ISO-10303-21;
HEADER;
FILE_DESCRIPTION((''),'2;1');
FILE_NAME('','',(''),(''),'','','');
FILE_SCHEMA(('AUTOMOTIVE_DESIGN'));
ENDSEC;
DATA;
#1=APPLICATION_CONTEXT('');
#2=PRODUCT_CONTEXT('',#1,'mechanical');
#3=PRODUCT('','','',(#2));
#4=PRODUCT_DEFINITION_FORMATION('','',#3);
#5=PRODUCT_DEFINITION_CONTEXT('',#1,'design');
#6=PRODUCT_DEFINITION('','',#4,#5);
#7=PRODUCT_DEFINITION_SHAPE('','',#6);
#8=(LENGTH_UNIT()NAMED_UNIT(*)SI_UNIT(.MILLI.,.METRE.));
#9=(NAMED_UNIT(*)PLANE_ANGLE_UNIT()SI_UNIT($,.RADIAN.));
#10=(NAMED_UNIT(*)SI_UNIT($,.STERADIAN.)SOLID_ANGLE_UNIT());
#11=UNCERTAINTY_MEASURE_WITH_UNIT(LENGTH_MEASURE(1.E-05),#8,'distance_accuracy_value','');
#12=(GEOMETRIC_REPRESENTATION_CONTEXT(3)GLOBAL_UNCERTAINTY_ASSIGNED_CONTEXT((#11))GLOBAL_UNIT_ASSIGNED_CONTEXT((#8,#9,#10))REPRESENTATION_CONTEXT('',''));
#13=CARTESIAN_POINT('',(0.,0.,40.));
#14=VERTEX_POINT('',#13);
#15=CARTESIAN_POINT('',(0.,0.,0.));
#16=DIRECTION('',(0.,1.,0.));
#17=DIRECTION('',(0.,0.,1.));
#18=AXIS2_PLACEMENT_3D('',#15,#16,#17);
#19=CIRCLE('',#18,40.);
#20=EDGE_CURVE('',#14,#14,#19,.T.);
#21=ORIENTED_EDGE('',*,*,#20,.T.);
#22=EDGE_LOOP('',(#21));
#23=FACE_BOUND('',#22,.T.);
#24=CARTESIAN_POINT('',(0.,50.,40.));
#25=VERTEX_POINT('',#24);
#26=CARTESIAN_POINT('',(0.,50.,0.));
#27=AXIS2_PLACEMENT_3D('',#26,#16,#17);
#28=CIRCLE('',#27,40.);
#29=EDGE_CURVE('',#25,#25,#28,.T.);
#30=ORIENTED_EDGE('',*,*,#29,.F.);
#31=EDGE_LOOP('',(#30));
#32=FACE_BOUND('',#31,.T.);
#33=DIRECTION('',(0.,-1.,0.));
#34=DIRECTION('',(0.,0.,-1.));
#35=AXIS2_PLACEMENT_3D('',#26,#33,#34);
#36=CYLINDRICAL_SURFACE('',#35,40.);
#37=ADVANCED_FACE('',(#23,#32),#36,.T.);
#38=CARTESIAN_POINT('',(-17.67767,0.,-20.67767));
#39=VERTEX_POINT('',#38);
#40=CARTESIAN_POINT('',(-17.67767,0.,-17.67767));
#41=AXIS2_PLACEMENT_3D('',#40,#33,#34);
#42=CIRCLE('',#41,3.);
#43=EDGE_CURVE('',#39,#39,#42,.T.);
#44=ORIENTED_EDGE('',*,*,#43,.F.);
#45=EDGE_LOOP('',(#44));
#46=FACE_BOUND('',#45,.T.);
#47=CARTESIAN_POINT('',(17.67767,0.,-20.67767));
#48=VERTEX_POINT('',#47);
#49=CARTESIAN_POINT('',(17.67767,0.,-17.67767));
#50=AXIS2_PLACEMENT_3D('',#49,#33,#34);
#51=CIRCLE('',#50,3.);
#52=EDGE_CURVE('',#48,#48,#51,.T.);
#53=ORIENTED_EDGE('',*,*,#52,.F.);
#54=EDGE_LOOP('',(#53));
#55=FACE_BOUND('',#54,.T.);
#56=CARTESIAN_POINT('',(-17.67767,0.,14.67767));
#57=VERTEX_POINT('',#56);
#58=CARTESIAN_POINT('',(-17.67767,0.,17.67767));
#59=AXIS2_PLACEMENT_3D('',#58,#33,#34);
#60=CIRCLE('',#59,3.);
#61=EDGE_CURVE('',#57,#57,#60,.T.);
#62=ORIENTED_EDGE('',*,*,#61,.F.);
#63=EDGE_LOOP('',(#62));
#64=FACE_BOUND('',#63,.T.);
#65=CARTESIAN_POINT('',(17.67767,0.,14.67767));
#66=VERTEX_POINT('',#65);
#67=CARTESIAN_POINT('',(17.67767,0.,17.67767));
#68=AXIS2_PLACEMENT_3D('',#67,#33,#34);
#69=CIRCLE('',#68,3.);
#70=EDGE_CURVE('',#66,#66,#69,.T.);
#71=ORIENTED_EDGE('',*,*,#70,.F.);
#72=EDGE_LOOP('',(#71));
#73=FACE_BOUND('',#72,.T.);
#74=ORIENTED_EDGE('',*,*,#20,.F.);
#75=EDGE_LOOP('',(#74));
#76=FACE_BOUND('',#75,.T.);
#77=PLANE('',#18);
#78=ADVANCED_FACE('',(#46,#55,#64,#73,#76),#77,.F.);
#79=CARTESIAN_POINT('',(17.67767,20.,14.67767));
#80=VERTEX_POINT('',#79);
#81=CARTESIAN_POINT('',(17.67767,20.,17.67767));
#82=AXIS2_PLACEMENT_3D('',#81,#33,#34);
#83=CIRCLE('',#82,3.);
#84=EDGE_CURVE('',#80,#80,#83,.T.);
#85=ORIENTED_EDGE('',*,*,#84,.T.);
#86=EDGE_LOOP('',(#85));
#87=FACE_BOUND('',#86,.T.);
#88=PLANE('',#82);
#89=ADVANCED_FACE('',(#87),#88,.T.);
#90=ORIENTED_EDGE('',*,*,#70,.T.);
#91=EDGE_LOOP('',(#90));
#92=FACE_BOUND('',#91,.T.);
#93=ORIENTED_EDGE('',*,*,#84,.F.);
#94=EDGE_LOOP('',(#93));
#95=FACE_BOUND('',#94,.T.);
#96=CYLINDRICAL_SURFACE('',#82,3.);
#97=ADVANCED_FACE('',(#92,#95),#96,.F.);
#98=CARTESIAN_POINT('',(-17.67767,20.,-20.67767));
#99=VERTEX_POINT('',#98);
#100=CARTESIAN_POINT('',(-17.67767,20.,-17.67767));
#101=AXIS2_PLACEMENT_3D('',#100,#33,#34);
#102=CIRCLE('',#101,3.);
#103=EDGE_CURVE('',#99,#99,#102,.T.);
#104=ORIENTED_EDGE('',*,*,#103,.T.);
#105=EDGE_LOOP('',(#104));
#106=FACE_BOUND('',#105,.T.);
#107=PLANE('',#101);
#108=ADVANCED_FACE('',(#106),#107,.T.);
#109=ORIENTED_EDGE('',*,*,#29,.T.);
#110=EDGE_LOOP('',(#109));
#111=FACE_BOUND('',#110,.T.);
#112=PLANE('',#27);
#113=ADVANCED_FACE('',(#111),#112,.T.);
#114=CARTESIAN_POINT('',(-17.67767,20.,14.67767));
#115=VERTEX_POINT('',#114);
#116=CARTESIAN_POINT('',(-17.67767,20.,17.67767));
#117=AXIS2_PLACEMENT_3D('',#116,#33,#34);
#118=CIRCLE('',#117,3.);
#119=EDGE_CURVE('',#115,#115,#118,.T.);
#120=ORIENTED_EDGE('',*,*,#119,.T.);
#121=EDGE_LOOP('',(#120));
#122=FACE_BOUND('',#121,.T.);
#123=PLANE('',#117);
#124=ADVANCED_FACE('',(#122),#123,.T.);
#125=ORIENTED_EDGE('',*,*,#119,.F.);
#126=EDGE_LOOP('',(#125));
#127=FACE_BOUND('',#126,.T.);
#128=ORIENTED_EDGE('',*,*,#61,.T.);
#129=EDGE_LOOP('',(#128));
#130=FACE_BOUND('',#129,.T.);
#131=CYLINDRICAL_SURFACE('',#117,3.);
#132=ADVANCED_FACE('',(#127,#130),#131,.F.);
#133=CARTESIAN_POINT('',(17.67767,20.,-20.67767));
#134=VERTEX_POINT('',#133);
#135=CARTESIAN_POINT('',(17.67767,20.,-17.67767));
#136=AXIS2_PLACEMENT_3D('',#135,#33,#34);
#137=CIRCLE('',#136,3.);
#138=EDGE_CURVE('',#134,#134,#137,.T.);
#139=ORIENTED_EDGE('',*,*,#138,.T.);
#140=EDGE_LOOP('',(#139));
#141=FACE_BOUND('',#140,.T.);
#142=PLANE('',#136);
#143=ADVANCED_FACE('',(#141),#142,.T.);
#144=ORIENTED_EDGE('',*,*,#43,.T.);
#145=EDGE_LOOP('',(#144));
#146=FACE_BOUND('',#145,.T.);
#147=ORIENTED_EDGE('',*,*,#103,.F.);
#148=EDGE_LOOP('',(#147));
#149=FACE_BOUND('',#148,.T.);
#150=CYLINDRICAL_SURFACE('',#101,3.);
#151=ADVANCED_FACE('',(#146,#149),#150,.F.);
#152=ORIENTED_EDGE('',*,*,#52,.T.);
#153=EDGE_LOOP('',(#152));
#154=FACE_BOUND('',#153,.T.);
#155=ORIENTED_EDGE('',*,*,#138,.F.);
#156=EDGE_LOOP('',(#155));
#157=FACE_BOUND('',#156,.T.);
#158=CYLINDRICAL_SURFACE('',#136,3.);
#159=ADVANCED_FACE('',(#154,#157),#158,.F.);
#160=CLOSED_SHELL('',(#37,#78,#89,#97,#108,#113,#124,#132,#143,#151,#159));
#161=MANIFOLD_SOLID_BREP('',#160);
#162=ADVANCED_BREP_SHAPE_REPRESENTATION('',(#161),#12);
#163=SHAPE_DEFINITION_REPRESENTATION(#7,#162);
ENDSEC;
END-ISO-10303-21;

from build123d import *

# Parameters (mm, degrees)
SKETCH1_R           = 40
BOSS_EXTRUDE1_DEPTH = 50
SKETCH3_R           = 3
CUT_EXTRUDE1_DEPTH  = 20


with BuildPart() as part:
    # Sketch1 → Boss-Extrude1 (new body)
    with BuildSketch(Plane(origin=(0, 0, 0), x_dir=(1, 0, 0), z_dir=(0, 1, 0))):
        with Locations(Location((0, 0, 0), (0, 0, 270))):
            Circle(SKETCH1_R)
    extrude(amount=BOSS_EXTRUDE1_DEPTH)

    # Sketch3 → Cut-Extrude1 (cut)
    with BuildSketch(Plane.XZ):
        with Locations(Location((17.67766953, 17.67766953, 0), (0, 0, 270))):
            Circle(SKETCH3_R)
        with Locations(Location((17.67766953, -17.67766953, 0), (0, 0, 270))):
            Circle(SKETCH3_R)
        with Locations(Location((-17.67766953, -17.67766953, 0), (0, 0, 270))):
            Circle(SKETCH3_R)
        with Locations(Location((-17.67766953, 17.67766953, 0), (0, 0, 270))):
            Circle(SKETCH3_R)
    extrude(amount=-CUT_EXTRUDE1_DEPTH, mode=Mode.SUBTRACT)


solid = part.part
